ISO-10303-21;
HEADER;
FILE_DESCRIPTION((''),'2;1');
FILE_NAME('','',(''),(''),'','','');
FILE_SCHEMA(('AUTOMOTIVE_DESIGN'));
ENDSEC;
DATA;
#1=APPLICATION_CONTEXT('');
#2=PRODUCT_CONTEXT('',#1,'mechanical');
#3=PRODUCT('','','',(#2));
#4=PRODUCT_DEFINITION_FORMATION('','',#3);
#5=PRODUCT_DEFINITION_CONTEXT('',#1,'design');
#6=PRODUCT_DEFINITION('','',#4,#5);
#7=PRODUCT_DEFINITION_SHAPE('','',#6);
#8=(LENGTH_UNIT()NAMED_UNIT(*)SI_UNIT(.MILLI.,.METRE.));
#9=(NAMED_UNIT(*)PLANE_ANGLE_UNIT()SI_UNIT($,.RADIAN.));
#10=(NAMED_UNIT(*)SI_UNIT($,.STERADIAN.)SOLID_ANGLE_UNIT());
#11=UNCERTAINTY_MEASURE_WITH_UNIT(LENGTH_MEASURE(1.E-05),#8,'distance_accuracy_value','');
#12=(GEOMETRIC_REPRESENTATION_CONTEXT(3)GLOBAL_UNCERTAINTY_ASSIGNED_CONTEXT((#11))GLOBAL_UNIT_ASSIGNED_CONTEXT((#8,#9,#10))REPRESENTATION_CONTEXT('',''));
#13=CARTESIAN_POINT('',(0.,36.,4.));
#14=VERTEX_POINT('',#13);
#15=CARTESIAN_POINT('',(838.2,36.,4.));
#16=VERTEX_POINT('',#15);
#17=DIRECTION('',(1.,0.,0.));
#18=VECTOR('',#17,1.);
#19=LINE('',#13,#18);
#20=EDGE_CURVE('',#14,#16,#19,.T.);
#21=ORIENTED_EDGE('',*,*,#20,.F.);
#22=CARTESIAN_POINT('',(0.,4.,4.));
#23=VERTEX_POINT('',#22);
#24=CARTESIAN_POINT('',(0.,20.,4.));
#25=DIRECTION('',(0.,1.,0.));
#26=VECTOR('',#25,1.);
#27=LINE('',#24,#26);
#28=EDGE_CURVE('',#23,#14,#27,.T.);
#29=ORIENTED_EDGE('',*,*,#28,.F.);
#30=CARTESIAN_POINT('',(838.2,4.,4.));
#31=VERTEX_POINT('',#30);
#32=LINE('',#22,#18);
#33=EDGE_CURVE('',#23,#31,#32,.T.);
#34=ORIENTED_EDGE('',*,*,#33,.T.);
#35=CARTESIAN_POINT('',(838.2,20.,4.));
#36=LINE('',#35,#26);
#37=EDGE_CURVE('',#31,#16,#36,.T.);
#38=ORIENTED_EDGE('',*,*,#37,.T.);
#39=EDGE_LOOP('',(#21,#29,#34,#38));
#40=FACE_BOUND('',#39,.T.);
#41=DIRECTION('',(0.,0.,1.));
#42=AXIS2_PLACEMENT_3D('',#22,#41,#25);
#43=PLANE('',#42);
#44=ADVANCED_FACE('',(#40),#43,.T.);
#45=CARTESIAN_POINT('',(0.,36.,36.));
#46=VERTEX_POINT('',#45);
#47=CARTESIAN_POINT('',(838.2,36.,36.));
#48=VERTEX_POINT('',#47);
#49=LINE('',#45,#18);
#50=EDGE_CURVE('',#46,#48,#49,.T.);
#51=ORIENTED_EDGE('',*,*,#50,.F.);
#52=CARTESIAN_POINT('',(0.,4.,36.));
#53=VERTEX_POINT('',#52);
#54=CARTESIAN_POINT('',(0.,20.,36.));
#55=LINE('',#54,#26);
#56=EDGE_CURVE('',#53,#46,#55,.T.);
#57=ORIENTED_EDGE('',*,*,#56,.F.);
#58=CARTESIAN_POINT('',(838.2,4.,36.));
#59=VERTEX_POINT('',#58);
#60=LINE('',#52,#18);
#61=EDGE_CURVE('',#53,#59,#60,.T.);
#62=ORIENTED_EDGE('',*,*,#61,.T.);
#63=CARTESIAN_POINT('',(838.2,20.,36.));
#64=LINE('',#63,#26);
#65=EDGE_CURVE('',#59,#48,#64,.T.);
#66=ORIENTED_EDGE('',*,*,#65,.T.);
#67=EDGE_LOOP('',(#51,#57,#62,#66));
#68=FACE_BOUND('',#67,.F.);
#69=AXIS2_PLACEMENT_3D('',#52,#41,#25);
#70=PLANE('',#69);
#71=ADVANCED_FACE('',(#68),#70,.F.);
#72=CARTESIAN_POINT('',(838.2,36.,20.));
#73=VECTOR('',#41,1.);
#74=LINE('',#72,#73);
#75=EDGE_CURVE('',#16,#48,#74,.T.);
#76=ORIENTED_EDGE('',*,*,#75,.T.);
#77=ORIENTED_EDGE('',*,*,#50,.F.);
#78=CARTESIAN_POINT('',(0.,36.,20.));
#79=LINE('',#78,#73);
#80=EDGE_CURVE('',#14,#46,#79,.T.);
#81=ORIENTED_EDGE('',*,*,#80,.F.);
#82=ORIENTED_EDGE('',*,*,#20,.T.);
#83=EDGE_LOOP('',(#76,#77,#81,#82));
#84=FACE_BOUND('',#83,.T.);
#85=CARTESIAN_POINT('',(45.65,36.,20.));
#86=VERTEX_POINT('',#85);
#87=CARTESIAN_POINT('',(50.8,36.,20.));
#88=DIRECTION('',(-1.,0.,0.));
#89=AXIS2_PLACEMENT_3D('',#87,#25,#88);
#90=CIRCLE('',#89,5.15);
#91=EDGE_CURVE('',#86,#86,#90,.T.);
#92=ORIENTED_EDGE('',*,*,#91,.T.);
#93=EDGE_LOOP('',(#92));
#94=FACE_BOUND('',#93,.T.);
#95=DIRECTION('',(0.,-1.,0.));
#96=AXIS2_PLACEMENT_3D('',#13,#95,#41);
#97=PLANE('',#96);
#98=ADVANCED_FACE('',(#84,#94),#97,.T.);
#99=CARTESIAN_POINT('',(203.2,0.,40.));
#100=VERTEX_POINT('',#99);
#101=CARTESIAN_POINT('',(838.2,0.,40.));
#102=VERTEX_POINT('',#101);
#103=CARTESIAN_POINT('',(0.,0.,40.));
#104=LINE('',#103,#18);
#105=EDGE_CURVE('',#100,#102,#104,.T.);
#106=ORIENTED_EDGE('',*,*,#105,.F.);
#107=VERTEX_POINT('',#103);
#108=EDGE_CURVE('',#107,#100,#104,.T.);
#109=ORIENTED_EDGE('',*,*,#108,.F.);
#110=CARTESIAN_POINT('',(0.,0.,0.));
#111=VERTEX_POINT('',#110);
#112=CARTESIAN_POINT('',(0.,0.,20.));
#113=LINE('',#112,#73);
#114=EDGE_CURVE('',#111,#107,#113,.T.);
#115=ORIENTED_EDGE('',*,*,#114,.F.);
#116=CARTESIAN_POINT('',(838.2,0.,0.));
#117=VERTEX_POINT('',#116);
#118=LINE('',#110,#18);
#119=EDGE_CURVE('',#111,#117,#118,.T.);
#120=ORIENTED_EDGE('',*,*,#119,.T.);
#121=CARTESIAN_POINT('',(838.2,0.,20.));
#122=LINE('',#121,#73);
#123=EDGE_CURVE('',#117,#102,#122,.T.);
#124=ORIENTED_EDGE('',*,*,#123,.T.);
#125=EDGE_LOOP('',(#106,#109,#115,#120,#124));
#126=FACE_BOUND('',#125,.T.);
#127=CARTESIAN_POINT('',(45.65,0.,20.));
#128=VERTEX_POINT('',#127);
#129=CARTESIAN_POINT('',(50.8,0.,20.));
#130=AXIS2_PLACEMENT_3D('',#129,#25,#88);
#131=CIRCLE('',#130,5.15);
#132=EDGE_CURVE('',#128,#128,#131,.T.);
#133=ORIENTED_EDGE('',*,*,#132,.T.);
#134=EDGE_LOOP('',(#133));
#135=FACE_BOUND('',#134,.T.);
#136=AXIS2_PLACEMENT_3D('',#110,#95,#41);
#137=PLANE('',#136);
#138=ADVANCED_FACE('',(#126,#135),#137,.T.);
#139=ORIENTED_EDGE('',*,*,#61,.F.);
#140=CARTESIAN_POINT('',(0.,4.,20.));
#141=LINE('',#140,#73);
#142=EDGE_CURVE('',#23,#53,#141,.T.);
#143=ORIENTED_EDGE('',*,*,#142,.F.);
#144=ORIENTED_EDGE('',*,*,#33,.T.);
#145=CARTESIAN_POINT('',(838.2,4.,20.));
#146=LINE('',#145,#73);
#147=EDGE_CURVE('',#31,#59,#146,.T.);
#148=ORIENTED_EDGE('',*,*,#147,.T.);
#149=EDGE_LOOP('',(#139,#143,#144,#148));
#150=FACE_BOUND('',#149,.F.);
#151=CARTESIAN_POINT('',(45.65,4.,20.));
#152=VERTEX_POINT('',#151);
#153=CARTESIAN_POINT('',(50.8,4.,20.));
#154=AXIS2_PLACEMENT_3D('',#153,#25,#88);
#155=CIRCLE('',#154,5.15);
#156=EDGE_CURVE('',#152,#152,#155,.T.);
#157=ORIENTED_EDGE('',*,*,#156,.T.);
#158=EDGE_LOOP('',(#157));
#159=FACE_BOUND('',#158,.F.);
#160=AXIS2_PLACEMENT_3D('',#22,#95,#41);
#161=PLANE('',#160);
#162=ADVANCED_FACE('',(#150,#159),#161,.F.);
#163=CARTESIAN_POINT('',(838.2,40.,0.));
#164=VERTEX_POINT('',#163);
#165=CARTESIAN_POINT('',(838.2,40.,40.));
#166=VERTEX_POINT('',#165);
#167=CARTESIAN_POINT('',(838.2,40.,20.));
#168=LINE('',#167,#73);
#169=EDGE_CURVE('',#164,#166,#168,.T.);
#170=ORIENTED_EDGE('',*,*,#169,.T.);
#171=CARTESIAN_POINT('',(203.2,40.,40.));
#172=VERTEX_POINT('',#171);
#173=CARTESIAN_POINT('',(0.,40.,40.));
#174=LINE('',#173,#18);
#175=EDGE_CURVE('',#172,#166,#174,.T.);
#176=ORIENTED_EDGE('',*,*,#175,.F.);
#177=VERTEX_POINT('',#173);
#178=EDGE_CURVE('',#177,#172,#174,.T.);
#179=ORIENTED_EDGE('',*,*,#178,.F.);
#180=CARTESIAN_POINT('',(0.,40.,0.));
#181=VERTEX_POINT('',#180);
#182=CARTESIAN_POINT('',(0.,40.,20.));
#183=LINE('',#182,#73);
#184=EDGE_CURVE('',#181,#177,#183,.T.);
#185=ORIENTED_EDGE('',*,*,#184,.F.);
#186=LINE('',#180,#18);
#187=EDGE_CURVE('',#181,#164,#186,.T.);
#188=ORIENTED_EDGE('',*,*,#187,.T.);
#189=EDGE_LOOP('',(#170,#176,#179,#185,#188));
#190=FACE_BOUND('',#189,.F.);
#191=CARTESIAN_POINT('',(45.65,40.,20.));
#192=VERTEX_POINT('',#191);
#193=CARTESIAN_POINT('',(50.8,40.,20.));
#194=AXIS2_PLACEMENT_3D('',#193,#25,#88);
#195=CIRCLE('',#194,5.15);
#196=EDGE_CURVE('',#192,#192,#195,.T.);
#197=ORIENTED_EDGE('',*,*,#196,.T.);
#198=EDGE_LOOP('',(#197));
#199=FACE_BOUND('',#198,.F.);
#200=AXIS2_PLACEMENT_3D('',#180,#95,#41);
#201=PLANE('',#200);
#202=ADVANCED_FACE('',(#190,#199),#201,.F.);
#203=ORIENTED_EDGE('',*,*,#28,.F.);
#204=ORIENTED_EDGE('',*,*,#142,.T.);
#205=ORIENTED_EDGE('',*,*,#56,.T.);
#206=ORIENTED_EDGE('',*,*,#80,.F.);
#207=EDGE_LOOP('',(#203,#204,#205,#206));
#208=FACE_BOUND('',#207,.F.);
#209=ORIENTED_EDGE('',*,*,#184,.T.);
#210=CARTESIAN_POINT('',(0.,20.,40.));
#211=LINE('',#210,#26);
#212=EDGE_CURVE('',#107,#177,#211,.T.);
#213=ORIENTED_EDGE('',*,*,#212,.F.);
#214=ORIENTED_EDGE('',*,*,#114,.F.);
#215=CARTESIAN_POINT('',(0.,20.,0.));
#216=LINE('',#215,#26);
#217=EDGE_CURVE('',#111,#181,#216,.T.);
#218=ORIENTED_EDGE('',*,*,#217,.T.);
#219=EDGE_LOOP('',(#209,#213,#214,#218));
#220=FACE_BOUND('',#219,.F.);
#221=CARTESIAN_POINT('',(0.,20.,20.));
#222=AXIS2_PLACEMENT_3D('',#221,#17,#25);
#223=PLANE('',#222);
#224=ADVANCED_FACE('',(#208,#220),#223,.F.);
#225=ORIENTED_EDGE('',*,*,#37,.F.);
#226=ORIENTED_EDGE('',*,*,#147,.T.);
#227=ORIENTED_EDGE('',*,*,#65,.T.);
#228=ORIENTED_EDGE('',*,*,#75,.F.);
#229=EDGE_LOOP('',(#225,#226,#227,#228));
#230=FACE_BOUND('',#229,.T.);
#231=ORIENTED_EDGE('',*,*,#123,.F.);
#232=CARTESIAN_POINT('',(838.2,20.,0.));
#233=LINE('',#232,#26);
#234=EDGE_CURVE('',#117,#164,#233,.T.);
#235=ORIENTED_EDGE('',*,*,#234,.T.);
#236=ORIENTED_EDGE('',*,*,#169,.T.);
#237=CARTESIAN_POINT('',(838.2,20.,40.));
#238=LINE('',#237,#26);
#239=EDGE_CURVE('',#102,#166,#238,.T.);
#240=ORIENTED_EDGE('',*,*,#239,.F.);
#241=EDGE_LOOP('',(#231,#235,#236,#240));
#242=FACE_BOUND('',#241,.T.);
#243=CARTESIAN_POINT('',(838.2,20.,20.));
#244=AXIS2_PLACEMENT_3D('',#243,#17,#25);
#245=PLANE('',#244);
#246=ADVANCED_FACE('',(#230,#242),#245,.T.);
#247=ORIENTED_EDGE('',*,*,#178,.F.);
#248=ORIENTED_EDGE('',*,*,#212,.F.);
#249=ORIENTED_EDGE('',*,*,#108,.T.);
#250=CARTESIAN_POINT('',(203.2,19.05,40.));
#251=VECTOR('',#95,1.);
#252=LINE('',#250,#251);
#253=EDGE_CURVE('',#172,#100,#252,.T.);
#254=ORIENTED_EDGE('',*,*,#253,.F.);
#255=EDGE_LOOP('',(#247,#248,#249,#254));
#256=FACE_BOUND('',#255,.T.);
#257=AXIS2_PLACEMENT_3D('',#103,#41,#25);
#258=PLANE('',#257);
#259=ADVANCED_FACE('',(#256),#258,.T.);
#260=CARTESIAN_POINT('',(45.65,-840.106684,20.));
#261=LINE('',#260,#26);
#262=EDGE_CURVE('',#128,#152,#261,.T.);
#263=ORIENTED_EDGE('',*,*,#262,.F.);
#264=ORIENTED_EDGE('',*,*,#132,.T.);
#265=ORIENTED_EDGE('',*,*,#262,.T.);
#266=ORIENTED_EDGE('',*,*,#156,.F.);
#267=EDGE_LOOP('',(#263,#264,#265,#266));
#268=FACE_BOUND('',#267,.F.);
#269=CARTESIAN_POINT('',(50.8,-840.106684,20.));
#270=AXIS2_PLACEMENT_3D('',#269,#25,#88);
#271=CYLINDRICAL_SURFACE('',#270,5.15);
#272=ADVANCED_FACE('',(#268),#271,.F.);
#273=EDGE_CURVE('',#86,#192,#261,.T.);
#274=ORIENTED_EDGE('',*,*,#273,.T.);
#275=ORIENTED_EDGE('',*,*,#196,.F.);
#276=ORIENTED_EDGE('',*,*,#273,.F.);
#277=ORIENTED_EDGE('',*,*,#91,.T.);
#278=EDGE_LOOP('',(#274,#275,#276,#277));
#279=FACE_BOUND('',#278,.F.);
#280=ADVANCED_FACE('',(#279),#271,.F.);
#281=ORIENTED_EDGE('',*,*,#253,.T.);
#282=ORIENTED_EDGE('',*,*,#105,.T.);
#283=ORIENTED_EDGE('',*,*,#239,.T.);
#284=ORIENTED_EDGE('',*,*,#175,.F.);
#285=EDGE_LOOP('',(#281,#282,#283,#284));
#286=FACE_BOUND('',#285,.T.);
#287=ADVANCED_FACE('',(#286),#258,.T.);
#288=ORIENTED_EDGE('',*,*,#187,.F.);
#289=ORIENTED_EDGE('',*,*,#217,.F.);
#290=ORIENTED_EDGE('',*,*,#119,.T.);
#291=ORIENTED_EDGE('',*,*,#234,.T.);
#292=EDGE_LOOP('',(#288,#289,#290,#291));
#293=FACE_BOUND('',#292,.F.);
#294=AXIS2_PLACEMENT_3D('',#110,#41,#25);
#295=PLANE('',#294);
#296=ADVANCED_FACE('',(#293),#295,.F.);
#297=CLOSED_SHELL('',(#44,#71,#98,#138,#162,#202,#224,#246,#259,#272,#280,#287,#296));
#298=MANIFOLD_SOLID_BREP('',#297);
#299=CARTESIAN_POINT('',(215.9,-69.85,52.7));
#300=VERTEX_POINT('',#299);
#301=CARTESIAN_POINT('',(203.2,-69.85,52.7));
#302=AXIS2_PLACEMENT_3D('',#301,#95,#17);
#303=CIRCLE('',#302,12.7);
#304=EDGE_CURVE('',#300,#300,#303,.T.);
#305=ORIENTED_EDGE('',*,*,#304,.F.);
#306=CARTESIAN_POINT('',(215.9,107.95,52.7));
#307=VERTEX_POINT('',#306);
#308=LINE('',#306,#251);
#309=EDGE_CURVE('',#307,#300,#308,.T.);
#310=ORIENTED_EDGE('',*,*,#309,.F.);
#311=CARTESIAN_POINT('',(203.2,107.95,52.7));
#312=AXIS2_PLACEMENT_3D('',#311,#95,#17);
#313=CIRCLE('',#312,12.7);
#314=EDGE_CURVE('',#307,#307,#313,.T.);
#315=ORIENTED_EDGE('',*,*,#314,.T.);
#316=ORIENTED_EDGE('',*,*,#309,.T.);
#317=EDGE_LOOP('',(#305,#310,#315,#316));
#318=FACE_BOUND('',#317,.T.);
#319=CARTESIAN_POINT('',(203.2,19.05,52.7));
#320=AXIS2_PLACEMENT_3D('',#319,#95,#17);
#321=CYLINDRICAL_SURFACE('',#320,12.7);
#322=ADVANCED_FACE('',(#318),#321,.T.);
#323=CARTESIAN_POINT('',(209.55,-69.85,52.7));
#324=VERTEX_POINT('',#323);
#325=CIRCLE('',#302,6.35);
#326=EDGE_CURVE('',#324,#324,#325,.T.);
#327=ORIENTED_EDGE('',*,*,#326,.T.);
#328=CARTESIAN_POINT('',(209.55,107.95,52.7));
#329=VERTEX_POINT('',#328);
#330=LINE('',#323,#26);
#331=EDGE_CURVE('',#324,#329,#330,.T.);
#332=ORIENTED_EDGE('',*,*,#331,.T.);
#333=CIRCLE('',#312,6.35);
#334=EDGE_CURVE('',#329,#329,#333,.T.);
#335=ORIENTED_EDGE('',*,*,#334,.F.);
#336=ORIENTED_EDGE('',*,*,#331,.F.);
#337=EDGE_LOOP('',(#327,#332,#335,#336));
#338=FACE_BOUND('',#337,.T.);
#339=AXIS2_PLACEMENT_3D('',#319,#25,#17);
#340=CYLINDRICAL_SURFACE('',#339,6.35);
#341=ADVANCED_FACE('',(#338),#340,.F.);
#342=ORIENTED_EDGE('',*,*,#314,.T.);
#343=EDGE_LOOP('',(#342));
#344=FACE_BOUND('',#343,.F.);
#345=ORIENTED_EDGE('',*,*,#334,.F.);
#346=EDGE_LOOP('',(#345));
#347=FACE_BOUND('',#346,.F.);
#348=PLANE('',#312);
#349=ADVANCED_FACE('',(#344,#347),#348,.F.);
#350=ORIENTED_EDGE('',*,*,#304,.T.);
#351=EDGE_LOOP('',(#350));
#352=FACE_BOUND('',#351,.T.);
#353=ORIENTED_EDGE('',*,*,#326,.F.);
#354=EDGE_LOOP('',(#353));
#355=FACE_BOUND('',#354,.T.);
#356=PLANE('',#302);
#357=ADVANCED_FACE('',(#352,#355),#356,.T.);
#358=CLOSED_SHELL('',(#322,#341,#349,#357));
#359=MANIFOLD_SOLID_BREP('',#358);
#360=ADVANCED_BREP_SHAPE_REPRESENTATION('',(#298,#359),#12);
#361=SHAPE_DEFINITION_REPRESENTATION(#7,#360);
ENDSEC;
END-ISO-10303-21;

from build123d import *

# Parameters (mm, degrees)
F0_W     = 40
F0_H     = 40
F0_W_2   = 32
F0_H_2   = 32
F1_DEPTH = 838.2
F4_D     = 10.3
F5_R     = 12.7
F5_R_2   = 6.35
F6_DEPTH = 88.9


with BuildPart() as f1:
    # F0 (on Right) → F1 (new body)
    with BuildSketch(Plane.YZ):
        with Locations((20, 20)):
            Rectangle(F0_W, F0_H)
        with Locations((20, 20)):
            Rectangle(F0_W_2, F0_H_2, mode=Mode.SUBTRACT)
    extrude(amount=F1_DEPTH)

    # F4 (through all)
    with Locations(Plane.XZ):
        with Locations((50.8, 20)):
            Hole(F4_D / 2)

    # F5 (on offset) → F6 (join, symmetric)
    with BuildSketch(Plane.XZ.offset(-19.05)):
        with Locations((203.2, 52.7)):
            Circle(F5_R)
        with Locations((203.2, 52.7)):
            Circle(F5_R_2, mode=Mode.SUBTRACT)
    extrude(amount=F6_DEPTH, both=True)


solid = f1.part
